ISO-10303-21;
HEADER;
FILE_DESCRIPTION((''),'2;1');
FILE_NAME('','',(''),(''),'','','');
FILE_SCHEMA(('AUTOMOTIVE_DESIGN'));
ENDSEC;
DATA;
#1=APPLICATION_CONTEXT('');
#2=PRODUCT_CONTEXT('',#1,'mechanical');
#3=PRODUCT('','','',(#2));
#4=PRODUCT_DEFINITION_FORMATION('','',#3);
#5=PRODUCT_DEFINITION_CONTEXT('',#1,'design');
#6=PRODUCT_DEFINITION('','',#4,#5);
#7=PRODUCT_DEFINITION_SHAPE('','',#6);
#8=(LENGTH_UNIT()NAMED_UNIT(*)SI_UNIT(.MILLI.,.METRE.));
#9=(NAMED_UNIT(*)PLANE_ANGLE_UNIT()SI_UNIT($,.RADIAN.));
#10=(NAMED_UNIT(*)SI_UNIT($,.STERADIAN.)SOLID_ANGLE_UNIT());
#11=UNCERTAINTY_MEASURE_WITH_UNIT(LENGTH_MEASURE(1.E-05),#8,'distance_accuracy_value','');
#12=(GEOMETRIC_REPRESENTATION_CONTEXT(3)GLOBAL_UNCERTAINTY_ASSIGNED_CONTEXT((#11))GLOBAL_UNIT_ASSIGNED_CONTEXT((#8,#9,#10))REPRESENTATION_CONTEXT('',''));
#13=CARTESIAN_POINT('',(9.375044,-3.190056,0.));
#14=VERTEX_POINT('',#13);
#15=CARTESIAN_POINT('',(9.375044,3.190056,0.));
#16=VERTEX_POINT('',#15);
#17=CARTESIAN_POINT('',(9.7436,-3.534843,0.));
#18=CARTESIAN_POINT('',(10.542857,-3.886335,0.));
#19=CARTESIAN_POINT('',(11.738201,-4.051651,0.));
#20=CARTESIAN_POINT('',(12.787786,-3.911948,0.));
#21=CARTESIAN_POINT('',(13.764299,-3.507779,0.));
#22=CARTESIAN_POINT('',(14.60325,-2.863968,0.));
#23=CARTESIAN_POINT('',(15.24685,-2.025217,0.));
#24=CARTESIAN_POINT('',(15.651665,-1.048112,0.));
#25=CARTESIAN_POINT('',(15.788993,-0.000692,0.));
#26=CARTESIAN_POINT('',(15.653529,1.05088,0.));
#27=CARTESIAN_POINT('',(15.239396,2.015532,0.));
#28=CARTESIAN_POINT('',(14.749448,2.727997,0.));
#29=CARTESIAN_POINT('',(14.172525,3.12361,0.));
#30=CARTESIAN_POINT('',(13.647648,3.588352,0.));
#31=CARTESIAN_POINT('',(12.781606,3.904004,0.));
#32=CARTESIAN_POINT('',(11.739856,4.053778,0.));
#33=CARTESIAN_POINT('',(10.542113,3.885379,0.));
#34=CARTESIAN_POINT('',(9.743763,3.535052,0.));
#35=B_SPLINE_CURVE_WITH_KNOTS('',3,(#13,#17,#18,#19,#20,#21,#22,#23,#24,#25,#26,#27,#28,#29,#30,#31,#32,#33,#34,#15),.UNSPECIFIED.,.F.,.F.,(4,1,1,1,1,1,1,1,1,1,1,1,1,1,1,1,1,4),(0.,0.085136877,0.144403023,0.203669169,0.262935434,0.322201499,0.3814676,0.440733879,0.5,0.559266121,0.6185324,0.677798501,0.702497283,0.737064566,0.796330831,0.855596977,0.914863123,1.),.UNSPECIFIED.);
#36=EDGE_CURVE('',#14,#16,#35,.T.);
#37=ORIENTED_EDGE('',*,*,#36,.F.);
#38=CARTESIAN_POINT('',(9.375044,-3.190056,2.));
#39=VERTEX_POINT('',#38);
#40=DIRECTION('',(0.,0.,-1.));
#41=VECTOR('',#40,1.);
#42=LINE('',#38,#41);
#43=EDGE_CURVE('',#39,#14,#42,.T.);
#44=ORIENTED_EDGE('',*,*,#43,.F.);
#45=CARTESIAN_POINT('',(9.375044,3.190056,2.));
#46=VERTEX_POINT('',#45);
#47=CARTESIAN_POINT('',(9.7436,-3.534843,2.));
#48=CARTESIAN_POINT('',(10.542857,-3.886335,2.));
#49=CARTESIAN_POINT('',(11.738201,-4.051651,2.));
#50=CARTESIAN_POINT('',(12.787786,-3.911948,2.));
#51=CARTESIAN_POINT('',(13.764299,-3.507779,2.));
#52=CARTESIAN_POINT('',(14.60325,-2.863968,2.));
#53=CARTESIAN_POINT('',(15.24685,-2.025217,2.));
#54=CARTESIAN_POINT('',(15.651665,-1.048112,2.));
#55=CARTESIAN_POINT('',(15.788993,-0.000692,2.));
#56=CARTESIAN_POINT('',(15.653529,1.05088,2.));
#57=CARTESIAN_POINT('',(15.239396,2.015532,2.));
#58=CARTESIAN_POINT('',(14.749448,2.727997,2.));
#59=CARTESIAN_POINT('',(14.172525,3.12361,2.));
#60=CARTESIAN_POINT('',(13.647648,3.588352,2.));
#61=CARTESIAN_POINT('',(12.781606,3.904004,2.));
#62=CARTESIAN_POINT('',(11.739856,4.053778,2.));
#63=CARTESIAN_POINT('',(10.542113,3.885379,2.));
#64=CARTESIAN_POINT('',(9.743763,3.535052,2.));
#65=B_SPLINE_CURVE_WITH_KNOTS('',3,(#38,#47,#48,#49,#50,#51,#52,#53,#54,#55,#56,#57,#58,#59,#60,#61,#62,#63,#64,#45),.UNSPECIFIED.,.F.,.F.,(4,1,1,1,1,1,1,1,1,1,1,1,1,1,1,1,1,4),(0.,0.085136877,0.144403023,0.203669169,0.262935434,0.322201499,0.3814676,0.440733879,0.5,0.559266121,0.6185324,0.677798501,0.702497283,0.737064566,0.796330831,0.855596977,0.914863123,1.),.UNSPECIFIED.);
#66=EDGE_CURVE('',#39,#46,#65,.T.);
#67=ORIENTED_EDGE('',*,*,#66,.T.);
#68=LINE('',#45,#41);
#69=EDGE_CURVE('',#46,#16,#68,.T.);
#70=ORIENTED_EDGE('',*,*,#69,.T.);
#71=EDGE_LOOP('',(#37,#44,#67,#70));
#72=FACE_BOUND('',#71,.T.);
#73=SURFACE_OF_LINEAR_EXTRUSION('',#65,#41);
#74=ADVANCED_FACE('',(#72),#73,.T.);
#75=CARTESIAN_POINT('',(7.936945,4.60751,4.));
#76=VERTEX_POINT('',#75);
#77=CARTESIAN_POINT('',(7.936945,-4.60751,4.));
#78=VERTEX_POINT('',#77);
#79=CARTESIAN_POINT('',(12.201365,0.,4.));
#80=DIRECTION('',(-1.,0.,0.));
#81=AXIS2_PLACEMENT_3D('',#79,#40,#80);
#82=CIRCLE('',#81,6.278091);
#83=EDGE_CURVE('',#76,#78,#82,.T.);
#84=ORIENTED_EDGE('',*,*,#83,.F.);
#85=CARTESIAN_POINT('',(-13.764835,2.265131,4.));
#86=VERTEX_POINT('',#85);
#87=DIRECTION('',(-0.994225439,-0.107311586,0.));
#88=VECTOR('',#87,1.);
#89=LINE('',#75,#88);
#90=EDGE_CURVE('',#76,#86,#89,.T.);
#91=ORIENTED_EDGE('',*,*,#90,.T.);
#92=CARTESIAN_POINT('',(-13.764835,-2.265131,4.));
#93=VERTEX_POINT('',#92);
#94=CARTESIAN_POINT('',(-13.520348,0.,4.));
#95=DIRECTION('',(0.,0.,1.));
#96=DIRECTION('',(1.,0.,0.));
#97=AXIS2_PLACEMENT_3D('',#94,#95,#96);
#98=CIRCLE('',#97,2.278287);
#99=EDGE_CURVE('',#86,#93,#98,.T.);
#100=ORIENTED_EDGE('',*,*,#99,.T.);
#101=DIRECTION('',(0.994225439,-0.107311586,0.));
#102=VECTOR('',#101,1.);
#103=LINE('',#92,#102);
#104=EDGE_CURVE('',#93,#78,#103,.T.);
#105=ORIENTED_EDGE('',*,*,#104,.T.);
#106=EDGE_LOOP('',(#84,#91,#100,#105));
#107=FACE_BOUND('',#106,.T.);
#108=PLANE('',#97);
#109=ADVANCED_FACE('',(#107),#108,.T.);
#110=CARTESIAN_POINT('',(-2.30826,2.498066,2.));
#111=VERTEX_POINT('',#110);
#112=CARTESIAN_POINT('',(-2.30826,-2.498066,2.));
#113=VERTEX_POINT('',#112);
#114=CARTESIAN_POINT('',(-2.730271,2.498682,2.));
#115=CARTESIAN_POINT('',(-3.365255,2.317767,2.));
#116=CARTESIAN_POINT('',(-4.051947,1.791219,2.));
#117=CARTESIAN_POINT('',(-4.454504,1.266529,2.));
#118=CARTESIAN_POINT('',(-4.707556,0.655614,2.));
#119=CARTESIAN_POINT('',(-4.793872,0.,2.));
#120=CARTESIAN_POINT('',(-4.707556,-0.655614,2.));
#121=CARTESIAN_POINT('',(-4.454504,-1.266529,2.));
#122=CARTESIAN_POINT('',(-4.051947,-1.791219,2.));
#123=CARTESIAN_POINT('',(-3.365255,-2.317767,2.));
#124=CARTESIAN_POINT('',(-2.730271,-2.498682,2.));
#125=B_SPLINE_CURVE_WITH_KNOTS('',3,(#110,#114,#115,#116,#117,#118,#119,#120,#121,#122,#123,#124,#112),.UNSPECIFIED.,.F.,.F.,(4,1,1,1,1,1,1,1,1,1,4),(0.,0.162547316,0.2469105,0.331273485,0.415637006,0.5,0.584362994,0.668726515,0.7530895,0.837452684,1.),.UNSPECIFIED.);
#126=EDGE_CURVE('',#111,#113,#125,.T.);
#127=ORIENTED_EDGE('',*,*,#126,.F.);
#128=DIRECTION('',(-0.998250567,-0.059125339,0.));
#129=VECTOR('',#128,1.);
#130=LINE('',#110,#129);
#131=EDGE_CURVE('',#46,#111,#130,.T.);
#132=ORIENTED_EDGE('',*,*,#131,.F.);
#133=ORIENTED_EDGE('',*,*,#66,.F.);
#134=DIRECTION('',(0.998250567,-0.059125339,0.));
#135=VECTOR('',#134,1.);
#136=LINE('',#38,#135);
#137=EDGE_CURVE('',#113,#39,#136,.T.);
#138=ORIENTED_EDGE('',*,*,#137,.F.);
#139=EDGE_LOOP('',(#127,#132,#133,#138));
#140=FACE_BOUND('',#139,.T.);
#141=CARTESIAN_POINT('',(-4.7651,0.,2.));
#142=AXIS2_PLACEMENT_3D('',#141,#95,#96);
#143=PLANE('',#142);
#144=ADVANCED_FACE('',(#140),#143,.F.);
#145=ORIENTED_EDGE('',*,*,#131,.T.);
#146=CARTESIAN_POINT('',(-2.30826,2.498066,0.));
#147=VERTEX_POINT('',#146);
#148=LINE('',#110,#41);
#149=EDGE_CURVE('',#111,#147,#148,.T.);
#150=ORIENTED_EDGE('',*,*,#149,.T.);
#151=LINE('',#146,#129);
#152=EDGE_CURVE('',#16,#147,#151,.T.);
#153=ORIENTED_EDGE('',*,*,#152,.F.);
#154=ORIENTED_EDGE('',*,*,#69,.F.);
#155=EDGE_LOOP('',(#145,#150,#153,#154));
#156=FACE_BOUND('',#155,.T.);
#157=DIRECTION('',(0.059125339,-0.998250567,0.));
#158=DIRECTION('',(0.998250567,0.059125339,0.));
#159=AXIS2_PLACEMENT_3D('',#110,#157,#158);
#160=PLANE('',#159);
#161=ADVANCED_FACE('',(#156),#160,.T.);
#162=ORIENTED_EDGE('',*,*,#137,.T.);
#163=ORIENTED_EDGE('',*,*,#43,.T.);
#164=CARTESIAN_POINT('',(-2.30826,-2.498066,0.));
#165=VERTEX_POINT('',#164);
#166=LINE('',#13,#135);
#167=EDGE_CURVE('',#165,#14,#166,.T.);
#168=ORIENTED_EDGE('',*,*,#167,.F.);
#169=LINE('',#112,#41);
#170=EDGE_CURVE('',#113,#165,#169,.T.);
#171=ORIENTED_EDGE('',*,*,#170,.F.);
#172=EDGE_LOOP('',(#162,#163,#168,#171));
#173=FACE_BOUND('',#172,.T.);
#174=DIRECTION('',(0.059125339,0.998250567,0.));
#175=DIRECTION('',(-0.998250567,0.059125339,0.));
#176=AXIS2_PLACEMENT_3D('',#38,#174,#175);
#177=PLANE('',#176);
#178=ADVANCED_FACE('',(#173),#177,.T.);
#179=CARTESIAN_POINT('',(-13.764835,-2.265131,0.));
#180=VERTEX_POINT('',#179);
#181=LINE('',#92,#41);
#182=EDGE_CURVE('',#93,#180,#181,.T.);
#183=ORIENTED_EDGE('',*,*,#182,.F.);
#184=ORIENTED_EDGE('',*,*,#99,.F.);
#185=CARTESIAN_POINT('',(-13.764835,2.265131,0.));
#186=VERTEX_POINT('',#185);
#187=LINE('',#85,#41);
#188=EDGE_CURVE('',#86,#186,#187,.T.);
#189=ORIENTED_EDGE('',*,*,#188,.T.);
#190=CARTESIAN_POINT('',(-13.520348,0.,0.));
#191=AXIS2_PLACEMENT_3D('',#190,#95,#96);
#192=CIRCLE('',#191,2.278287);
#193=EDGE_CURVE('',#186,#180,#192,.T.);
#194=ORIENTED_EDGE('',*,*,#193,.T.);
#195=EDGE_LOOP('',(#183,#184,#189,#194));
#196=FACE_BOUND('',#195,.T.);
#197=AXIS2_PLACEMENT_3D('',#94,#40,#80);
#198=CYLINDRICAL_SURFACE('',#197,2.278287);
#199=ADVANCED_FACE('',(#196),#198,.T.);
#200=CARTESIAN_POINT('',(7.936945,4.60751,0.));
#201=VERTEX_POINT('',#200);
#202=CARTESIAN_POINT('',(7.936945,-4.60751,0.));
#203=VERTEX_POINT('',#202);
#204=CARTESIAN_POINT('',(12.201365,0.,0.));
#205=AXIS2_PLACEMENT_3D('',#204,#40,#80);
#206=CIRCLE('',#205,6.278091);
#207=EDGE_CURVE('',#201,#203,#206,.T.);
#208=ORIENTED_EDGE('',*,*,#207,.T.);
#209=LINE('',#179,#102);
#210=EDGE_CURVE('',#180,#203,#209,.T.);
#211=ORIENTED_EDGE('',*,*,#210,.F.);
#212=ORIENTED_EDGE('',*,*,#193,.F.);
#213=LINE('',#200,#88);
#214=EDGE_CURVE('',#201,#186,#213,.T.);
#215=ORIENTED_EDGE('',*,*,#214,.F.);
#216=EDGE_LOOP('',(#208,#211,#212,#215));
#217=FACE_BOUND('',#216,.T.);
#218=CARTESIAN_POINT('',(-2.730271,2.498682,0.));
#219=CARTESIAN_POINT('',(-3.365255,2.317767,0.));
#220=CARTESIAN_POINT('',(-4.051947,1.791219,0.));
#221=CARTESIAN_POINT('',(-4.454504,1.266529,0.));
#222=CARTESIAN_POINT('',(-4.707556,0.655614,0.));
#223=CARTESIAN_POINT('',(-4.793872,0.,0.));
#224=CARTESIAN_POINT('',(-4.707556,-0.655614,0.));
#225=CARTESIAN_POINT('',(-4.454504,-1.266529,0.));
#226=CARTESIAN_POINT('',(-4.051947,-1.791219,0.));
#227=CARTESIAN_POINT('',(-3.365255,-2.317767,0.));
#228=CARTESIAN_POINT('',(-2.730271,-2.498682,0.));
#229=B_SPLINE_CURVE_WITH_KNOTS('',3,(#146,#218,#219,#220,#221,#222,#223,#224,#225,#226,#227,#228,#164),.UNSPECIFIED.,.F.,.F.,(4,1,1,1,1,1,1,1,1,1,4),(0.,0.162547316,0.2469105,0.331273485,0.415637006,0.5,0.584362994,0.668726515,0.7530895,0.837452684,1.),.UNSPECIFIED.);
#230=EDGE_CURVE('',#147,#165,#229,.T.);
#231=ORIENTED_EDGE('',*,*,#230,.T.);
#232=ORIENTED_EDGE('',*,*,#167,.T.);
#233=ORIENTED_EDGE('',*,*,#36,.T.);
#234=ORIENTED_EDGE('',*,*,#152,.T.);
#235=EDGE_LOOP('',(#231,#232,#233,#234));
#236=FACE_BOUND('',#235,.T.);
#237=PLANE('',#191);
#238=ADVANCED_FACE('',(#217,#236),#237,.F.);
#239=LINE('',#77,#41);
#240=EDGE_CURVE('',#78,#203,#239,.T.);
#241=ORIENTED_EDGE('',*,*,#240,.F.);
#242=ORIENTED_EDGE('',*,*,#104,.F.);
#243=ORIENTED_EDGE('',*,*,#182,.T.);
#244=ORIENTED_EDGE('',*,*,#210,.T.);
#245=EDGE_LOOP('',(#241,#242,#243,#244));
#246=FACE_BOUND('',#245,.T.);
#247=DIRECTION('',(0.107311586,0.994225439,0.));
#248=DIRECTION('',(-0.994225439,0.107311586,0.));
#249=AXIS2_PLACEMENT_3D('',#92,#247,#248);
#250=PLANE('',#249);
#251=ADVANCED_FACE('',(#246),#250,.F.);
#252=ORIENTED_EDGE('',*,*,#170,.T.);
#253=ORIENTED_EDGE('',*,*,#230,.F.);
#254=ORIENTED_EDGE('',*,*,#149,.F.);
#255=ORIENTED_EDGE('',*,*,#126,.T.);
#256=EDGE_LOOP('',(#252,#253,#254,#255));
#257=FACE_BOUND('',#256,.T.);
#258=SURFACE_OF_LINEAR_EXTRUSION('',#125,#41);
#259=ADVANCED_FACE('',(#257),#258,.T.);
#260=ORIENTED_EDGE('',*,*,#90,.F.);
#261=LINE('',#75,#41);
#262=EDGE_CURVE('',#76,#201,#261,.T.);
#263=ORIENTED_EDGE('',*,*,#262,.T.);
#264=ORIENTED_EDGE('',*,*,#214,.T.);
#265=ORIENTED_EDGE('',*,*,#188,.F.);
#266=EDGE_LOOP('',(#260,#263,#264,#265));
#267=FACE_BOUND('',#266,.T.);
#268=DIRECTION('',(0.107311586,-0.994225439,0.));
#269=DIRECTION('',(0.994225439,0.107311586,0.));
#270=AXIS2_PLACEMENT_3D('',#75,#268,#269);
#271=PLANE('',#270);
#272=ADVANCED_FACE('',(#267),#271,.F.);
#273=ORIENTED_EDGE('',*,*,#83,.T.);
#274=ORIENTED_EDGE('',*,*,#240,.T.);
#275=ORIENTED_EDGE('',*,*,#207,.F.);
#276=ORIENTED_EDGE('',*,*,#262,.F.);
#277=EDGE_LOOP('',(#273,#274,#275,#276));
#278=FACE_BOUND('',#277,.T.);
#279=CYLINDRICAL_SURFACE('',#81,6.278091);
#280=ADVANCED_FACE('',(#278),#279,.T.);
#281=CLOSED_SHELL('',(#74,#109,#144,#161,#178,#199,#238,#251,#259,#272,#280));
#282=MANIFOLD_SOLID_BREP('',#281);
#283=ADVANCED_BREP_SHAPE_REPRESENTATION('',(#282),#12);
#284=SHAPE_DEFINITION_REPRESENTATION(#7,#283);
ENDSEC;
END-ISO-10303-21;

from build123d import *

# Parameters (mm, degrees)
BOSS_EXTRUDE6_DEPTH = 4
CUT_EXTRUDE1_DEPTH  = 2


with BuildPart() as part:
    # Sketch2 → Boss-Extrude6 (new body)
    with BuildSketch(Plane.XY):
        with BuildLine():
            Line((7.936945185, 4.607509822), (-13.764834635, 2.265131203))
            ThreePointArc((-13.764834635, 2.265131203), (-15.798635322, 0), (-13.764834635, -2.265131203))
            Line((-13.764834635, -2.265131203), (7.936945185, -4.607509822))
            ThreePointArc((7.936945185, -4.607509822), (18.479455181, 0), (7.936945185, 4.607509822))
        make_face()
    extrude(amount=BOSS_EXTRUDE6_DEPTH)

    # Sketch1 → Cut-Extrude1 (cut)
    with BuildSketch(Plane.XY):
        with BuildLine():
            Line((-2.308259951, 2.498066053), (9.375044145, 3.190055955))
            add(Edge.make_bspline(
                [(9.375044145, 3.190055955), (9.743762717, 3.535051607), (10.542113364, 3.885379294), (11.739855888, 4.053778423), (12.781606273, 3.904003548), (13.647647588, 3.58835165), (14.172524986, 3.123610305), (14.749448402, 2.727996587), (15.239395752, 2.01553181), (15.653528757, 1.050879588), (15.788992815, -0.000691818), (15.651665108, -1.048112313), (15.246850359, -2.025217286), (14.603250264, -2.863967716), (13.764299096, -3.507779486), (12.787785525, -3.91194775), (11.73820132, -4.051651269), (10.542857019, -3.886335356), (9.743600409, -3.534842939), (9.375044145, -3.190055955)],
                knots=[0, 0, 0, 0, 0.085136877, 0.144403023, 0.203669169, 0.262935434, 0.297502717, 0.322201499, 0.3814676, 0.440733879, 0.5, 0.559266121, 0.6185324, 0.677798501, 0.737064566, 0.796330831, 0.855596977, 0.914863123, 1, 1, 1, 1], degree=3))
            Line((9.375044145, -3.190055955), (-2.308259951, -2.498066053))
            add(Edge.make_bspline(
                [(-2.308259951, -2.498066053), (-2.730270965, -2.498681523), (-3.365255191, -2.317767142), (-4.051947117, -1.791219452), (-4.45450445, -1.266528616), (-4.707556493, -0.655614107), (-4.793872131, 0), (-4.707556493, 0.655614107), (-4.45450445, 1.266528616), (-4.051947117, 1.791219452), (-3.365255191, 2.317767142), (-2.730270965, 2.498681523), (-2.308259951, 2.498066053)],
                knots=[0, 0, 0, 0, 0.162547316, 0.2469105, 0.331273485, 0.415637006, 0.5, 0.584362994, 0.668726515, 0.7530895, 0.837452684, 1, 1, 1, 1], degree=3))
        make_face()
    extrude(amount=CUT_EXTRUDE1_DEPTH, mode=Mode.SUBTRACT)


solid = part.part
